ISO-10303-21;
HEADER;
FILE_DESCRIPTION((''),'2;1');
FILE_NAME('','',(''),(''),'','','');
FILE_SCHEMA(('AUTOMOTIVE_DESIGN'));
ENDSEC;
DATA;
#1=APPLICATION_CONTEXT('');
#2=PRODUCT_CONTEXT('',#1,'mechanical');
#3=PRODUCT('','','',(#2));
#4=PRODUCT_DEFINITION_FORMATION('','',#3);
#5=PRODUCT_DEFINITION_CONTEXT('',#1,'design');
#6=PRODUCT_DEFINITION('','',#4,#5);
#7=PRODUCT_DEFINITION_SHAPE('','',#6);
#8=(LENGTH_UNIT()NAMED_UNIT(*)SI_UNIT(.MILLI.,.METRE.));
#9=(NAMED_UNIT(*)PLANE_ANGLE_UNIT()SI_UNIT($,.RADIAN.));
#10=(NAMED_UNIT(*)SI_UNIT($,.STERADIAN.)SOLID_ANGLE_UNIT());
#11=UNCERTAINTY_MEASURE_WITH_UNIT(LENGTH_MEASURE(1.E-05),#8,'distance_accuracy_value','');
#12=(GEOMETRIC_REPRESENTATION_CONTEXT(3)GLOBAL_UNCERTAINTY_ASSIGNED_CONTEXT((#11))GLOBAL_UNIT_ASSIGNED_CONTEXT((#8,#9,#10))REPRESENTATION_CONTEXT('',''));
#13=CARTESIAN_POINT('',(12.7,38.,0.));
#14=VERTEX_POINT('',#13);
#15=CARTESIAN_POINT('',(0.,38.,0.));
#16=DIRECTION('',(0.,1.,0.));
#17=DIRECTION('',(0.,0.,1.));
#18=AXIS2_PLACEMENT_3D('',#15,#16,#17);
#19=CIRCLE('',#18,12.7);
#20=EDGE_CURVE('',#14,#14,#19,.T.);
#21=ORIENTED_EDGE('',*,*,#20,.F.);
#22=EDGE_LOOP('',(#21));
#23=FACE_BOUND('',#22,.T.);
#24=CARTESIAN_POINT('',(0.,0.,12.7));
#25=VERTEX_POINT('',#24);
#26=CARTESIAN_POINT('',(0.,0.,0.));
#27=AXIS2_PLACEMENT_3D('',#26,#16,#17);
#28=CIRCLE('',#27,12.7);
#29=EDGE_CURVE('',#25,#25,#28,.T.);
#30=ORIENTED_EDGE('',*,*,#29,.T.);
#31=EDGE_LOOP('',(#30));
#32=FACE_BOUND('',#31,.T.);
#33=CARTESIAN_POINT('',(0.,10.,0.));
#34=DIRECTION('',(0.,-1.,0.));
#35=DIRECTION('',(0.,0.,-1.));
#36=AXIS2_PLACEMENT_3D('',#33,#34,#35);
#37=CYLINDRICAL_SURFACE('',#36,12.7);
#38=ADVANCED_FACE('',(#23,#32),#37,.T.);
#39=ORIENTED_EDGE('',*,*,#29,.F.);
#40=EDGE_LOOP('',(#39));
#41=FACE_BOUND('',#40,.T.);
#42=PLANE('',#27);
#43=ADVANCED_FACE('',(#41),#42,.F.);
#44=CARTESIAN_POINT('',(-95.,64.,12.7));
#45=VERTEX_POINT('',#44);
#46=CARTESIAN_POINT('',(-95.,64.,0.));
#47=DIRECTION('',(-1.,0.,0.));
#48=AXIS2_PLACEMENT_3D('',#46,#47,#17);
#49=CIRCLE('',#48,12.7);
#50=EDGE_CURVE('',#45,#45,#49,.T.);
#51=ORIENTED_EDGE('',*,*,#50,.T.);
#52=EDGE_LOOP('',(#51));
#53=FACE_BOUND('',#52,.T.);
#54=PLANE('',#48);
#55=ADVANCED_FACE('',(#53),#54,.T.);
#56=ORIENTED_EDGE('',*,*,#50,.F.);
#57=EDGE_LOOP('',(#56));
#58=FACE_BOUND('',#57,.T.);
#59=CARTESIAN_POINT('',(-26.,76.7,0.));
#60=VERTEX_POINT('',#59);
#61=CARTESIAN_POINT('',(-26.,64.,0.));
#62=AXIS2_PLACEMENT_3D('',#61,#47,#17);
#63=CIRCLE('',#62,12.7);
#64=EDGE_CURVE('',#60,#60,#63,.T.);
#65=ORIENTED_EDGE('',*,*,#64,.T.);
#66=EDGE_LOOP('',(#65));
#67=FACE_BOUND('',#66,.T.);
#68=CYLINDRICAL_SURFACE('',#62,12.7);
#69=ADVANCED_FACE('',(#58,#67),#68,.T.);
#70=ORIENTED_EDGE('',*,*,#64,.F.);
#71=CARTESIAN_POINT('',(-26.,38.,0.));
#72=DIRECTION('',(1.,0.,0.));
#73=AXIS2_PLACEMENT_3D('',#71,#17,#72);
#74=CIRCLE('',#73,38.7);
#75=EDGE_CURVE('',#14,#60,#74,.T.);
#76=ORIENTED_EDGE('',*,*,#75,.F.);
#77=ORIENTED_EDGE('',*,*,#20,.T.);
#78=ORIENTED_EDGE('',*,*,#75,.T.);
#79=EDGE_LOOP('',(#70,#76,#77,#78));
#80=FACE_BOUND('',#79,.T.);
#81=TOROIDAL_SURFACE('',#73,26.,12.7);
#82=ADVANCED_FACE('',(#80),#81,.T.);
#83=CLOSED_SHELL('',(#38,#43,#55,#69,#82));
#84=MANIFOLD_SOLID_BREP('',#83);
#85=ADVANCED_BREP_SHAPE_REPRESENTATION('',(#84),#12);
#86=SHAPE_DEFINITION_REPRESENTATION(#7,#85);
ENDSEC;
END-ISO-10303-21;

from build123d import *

# Parameters (mm, degrees)
CROQUIS1_R              = 12.7
SALIENTE_EXTRUIR1_DEPTH = 10
CROQUIS2_R              = 12.7


with BuildPart() as part:
    # Croquis1 → Saliente-Extruir1 (new body)
    with BuildSketch(Plane(origin=(0, 0, 0), x_dir=(1, 0, 0), z_dir=(0, 1, 0))):
        with Locations(Location((0, 0, 0), (0, 0, 270))):
            Circle(CROQUIS1_R)
    extrude(amount=SALIENTE_EXTRUIR1_DEPTH)

    # Barrer1: sweep along a curve in space
    with BuildLine() as barrer1_path:
        Line((0, 10, 0), (0, 38, 0))
        ThreePointArc((0, 38, 0), (-7.615223689, 56.384776311, 0), (-26, 64, 0))
        Line((-26, 64, 0), (-95, 64, 0))
    # Croquis2 → Barrer1 (sweep)
    with BuildSketch(Plane(origin=(0, 10, 0), x_dir=(1, 0, 0), z_dir=(0, 1, 0))):
        Circle(CROQUIS2_R)
    sweep(path=barrer1_path.line)


solid = part.part
